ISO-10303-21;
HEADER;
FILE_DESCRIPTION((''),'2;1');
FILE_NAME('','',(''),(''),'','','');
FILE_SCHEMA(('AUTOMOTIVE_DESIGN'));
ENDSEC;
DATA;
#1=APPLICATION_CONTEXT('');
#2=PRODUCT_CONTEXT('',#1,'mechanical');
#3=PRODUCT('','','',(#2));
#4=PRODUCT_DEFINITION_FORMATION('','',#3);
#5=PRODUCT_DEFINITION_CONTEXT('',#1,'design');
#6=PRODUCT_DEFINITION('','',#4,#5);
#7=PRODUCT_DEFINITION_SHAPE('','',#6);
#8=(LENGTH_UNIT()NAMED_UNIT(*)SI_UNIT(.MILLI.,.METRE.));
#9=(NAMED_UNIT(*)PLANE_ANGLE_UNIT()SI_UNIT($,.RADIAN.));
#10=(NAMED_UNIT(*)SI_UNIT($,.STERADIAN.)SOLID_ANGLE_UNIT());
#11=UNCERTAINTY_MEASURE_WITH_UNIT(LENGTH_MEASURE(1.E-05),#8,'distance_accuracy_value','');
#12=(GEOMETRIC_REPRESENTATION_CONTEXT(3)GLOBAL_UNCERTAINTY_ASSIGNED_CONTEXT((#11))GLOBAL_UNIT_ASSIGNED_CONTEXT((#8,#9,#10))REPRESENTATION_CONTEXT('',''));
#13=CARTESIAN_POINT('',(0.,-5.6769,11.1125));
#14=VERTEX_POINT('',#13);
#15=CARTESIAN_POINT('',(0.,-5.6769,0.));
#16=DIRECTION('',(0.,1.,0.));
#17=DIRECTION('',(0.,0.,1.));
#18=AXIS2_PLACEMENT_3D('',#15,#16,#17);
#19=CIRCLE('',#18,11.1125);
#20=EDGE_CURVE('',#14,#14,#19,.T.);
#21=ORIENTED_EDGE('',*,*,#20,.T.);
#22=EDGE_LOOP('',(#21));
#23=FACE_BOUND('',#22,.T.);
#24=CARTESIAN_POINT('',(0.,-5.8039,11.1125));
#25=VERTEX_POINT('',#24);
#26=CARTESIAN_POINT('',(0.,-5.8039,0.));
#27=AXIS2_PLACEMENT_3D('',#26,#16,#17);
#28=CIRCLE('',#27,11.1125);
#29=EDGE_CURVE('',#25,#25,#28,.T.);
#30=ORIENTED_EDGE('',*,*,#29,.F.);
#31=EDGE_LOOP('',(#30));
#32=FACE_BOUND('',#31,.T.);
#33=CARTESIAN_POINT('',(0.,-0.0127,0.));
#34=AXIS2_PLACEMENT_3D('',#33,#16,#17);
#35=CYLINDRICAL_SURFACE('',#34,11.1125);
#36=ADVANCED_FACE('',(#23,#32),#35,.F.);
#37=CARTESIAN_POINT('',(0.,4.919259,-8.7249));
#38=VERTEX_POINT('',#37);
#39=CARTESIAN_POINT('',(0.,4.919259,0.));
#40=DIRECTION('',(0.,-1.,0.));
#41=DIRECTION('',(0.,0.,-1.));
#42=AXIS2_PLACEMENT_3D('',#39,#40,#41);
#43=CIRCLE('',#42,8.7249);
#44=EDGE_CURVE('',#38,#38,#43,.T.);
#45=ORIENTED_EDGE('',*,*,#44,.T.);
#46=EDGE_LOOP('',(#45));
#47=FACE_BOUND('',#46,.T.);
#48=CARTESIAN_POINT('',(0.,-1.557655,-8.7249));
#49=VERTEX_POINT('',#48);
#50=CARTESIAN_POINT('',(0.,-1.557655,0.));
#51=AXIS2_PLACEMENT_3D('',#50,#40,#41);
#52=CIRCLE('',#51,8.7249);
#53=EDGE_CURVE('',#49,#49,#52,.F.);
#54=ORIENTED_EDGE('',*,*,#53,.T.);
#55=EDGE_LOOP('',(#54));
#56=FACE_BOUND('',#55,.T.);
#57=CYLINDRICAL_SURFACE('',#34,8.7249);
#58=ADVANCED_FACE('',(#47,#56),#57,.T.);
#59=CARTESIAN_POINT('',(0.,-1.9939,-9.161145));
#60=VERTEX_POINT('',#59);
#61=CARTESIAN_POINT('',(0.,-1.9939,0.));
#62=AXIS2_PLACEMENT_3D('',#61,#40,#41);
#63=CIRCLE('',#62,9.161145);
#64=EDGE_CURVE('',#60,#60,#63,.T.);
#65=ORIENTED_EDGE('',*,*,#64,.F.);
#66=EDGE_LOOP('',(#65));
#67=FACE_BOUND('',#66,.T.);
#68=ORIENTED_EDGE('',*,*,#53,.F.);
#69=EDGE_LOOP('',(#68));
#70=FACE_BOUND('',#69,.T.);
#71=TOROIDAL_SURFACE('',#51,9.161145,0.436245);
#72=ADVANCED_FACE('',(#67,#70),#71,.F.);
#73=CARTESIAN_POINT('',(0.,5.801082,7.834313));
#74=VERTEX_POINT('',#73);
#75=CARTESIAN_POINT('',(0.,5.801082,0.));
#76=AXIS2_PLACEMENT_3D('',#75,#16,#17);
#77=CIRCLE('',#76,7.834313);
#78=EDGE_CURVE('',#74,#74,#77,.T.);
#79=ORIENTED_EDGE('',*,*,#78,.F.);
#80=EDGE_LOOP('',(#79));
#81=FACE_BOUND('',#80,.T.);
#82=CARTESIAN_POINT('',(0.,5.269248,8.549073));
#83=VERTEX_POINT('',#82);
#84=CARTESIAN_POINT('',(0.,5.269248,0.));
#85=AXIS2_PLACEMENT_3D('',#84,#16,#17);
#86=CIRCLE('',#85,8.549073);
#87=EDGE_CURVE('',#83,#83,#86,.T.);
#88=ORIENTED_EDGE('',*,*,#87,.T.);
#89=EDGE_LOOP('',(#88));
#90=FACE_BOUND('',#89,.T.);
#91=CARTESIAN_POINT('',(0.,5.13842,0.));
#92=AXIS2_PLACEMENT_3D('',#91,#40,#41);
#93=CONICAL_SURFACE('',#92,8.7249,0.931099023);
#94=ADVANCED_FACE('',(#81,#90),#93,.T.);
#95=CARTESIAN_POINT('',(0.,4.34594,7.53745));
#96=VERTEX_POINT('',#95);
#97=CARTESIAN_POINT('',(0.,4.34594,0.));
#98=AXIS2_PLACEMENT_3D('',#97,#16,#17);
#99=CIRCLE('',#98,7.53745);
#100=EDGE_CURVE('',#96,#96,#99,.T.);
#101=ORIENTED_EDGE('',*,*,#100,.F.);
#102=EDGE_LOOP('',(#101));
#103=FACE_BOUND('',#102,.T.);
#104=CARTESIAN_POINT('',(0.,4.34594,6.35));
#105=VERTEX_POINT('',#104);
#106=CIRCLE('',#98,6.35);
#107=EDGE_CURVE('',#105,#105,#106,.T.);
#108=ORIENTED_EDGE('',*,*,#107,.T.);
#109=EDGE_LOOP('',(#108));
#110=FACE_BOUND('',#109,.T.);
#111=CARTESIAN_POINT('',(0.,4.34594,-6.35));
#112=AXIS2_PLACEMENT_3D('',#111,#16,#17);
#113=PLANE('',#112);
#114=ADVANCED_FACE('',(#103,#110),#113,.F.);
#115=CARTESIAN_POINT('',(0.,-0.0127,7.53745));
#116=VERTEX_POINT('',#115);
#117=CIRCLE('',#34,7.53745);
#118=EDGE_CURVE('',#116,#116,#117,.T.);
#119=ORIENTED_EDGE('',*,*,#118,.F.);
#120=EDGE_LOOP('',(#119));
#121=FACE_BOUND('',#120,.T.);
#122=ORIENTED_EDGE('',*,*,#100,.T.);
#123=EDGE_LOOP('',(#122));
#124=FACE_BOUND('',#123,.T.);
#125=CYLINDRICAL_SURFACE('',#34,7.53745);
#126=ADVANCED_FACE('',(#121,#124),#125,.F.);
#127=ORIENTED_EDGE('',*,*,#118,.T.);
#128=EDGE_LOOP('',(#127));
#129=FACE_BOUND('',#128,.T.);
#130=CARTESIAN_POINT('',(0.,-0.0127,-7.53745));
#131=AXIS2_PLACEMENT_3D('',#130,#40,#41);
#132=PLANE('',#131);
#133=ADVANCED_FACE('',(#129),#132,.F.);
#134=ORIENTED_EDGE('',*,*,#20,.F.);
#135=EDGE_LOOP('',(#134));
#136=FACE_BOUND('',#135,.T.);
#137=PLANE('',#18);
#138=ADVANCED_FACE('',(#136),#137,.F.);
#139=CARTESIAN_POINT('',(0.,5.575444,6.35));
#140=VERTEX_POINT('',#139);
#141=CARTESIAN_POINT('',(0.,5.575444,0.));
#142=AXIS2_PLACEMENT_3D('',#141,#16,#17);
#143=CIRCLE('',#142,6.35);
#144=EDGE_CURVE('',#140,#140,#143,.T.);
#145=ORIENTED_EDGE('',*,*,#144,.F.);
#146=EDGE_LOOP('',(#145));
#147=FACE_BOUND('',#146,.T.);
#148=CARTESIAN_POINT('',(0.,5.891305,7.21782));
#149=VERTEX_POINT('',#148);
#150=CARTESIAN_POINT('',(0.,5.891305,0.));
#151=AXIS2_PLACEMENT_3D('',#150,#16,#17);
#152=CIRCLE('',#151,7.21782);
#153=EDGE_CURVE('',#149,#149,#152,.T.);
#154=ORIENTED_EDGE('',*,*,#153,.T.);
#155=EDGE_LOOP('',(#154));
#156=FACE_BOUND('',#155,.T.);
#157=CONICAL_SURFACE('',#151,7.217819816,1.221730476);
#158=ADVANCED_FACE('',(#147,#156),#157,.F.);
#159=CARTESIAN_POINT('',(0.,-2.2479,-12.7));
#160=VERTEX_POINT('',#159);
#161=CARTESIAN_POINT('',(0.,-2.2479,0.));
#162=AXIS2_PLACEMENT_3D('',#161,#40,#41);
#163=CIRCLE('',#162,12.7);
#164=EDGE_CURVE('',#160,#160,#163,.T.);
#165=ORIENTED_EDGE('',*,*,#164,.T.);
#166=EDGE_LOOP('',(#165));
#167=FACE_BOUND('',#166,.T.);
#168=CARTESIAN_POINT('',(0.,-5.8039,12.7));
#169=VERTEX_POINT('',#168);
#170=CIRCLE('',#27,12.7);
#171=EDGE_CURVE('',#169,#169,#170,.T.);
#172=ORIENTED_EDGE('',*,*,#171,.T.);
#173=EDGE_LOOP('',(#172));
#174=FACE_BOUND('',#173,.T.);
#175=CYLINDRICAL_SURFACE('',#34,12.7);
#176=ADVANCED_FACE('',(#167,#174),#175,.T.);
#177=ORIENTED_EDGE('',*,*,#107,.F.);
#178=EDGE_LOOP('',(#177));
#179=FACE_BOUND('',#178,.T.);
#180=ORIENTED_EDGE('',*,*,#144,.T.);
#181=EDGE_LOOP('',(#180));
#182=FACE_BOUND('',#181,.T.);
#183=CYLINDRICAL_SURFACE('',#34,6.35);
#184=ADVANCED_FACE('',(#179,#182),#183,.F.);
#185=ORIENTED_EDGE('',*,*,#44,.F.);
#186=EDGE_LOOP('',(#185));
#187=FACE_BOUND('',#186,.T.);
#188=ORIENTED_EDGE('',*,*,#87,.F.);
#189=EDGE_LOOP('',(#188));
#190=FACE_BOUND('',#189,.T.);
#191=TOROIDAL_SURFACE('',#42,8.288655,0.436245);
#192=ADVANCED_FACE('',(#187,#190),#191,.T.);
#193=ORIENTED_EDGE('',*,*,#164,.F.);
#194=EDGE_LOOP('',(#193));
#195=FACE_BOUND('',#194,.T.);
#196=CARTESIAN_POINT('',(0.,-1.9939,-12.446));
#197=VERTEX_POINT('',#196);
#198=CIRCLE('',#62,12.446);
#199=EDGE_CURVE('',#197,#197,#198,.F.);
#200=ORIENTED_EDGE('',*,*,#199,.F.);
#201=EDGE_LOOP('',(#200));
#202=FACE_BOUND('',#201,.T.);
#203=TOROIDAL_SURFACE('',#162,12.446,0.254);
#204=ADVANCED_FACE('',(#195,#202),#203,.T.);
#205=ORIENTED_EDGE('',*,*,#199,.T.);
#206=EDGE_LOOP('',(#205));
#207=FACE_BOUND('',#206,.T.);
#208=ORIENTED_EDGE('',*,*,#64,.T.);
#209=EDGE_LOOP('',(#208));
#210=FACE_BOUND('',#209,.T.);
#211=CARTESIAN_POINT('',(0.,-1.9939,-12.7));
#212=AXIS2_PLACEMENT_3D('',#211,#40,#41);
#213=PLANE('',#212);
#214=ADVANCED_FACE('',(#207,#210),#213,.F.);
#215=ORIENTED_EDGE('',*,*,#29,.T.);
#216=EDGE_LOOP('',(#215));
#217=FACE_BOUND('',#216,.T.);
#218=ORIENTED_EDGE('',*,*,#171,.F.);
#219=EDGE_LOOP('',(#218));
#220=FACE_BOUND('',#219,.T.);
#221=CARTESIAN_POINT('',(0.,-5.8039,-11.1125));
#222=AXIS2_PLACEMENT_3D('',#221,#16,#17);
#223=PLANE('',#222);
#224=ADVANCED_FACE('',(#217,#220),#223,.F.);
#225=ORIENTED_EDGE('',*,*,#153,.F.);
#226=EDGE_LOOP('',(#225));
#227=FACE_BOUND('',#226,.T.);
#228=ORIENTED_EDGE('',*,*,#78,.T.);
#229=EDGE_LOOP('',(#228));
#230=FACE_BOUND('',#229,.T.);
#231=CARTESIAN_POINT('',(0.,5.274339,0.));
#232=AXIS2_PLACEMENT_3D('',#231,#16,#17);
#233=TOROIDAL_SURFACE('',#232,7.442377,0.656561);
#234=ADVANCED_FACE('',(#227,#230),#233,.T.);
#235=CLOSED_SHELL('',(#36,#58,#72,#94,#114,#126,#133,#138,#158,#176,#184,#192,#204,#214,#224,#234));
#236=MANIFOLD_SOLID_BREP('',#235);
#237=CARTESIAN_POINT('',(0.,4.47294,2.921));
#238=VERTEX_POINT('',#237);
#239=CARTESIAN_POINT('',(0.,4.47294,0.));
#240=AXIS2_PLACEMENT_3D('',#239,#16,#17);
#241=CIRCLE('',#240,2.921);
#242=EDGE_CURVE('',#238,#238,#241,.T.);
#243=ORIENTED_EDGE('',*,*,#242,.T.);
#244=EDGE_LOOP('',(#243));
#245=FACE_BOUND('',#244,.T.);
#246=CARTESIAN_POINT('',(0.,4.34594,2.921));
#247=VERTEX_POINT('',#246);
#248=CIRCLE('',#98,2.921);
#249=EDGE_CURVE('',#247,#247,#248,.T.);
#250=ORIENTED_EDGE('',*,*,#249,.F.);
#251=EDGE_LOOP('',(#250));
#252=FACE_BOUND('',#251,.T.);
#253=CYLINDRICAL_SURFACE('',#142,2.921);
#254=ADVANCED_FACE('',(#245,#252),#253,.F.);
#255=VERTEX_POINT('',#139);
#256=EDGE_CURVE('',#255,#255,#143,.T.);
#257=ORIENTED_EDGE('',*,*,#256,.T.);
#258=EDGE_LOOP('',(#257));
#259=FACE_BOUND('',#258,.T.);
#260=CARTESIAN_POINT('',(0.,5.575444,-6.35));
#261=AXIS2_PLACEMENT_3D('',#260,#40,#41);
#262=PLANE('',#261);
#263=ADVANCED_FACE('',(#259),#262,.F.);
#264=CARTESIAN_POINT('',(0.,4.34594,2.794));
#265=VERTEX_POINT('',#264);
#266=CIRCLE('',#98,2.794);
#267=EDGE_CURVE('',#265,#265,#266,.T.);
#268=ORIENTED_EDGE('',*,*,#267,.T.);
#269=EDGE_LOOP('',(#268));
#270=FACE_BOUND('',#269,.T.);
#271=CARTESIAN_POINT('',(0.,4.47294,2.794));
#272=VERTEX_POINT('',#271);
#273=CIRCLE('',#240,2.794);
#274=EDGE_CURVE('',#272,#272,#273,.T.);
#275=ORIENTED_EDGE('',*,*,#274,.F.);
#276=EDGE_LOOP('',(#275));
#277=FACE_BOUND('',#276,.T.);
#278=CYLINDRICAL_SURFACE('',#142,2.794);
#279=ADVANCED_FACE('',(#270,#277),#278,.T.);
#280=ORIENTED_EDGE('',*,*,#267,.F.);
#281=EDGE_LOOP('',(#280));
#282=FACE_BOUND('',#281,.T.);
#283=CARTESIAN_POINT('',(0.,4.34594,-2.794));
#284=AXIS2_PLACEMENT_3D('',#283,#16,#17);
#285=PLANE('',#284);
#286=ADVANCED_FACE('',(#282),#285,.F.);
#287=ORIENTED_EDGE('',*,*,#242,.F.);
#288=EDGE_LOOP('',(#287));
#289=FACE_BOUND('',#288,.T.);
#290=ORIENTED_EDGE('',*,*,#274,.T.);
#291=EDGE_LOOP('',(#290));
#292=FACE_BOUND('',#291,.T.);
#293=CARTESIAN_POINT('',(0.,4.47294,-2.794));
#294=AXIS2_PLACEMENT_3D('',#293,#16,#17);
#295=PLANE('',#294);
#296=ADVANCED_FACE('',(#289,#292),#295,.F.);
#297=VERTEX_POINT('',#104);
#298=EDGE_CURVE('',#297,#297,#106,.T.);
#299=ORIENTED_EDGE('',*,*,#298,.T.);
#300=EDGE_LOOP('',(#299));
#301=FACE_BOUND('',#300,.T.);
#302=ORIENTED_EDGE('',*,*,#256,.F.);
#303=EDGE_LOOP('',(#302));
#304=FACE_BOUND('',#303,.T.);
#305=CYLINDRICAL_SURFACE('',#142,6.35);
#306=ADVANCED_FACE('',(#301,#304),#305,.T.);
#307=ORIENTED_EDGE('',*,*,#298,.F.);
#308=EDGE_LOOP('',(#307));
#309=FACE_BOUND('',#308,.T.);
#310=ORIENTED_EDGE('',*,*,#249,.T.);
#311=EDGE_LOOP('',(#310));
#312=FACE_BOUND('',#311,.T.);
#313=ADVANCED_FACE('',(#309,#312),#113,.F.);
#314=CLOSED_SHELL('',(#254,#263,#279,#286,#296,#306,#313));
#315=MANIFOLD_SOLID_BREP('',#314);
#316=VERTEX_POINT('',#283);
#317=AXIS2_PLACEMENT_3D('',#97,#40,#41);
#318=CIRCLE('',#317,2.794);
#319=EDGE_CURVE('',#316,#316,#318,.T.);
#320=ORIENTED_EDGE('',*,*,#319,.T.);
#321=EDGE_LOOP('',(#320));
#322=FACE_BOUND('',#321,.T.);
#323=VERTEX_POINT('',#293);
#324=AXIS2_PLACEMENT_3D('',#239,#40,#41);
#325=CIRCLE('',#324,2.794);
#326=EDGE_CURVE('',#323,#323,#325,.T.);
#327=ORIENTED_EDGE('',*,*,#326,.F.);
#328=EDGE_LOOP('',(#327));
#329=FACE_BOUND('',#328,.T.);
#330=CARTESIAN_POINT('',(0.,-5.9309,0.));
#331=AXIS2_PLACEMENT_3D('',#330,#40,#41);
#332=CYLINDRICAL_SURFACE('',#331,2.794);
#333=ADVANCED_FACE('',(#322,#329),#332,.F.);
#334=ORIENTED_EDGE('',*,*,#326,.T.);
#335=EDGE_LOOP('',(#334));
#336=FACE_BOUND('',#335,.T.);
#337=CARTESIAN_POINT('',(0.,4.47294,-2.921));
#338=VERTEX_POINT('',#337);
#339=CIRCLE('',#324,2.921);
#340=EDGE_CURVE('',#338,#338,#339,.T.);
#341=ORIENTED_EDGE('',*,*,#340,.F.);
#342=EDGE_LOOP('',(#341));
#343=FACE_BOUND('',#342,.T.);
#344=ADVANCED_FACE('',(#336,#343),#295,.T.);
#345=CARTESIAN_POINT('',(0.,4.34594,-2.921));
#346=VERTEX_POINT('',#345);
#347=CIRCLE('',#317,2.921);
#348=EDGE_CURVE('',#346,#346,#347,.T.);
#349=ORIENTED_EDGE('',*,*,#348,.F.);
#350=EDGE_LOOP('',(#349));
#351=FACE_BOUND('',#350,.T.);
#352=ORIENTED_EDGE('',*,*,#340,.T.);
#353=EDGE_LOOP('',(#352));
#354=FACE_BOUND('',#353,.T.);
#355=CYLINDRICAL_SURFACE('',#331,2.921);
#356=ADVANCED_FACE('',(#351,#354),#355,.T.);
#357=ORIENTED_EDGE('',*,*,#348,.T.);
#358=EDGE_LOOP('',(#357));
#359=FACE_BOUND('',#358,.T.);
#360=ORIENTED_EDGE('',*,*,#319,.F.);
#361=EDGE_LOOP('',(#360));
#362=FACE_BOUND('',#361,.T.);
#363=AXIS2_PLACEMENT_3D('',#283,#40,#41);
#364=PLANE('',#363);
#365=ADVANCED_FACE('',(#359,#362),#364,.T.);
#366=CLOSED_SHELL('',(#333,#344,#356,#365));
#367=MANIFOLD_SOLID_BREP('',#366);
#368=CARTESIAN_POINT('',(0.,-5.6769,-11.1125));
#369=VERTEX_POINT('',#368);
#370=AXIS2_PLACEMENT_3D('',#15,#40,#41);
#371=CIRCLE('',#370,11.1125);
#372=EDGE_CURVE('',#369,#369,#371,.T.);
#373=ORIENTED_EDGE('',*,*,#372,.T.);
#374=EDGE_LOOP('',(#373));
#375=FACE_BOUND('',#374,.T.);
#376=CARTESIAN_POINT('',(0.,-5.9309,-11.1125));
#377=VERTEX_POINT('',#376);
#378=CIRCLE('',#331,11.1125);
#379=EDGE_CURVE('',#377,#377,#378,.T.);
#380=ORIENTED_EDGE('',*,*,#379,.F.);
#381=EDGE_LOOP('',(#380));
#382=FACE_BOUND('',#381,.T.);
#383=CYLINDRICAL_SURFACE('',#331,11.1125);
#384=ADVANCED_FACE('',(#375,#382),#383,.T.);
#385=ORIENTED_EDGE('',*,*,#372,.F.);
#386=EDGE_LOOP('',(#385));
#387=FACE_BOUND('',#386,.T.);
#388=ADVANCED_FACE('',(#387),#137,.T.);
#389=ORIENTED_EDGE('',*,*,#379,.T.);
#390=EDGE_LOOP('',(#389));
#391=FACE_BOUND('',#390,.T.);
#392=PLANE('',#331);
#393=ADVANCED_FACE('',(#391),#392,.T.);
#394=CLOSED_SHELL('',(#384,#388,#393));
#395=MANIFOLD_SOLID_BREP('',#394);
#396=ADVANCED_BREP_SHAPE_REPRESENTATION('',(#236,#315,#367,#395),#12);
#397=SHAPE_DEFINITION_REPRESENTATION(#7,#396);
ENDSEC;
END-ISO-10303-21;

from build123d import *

# Parameters (mm, degrees)
SKETCH5_W   = 11.1125
SKETCH5_H   = 0.254
SKETCH5_W_2 = 0.127
SKETCH5_H_2 = 0.127
FILLET1_R   = 0.436245
FILLET2_R   = 0.254


with BuildPart() as part:
    # Sketch3 → Revolve1 (revolve)
    with BuildSketch(Plane(origin=(0, 0, 0), x_dir=(0, 0, -1), z_dir=(1, 0, 0)), mode=Mode.PRIVATE) as revolve1_sk:
        with BuildLine():
            Line((6.35, 5.575443959), (7.217819816, 5.891304541))
            ThreePointArc((7.217819816, 5.891304541), (7.53745, 5.923980005), (7.8343125, 5.801082499))
            Line((7.8343125, 5.801082499), (8.7249, 5.13842))
            Line((8.7249, 5.13842), (8.7249, -1.9939))
            Line((8.7249, -1.9939), (12.7, -1.9939))
            Line((12.7, -1.9939), (12.7, -5.8039))
            Line((12.7, -5.8039), (11.1125, -5.8039))
            Line((11.1125, -5.8039), (11.1125, -5.6769))
            Line((11.1125, -5.6769), (0, -5.6769))
            Line((0, -5.6769), (0, -0.0127))
            Line((0, -0.0127), (7.53745, -0.0127))
            Line((7.53745, -0.0127), (7.53745, 4.34594))
            Line((7.53745, 4.34594), (6.35, 4.34594))
            Line((6.35, 4.34594), (6.35, 5.575443959))
        make_face()
    revolve(revolve1_sk.sketch.rotate(Axis((0, -0.0127, 0), (0, -1, 0)), 180), axis=Axis((0, -0.0127, 0), (0, -1, 0)))

    # Fillet1
    fillet1_edges = [part.edges().sort_by_distance(p)[0] for p in [
        (0, 5.13842, -8.7249),
        (0, -1.9939, -8.7249),
    ]]
    fillet(fillet1_edges, radius=FILLET1_R)

    # Fillet2
    fillet2_edges = [part.edges().sort_by_distance(p)[0] for p in [
        (0, -1.9939, -12.7),
    ]]
    fillet(fillet2_edges, radius=FILLET2_R)


with BuildPart() as body_2:
    # Sketch4 → Revolve2 (revolve)
    with BuildSketch(Plane(origin=(0, 0, 0), x_dir=(0, 0, -1), z_dir=(1, 0, 0)), mode=Mode.PRIVATE) as revolve2_sk:
        Polygon((6.35, 5.575443959), (0, 5.575443959), (0, 4.34594), (2.794, 4.34594), (2.794, 4.47294), (2.921, 4.47294), (2.921, 4.34594), (6.35, 4.34594), align=None)
    revolve(revolve2_sk.sketch.rotate(Axis((0, 5.575443959, 0), (0, -1, 0)), 180), axis=Axis((0, 5.575443959, 0), (0, -1, 0)))


with BuildPart() as body_3:
    # Sketch5 → Revolve3 (revolve)
    with BuildSketch(Plane(origin=(0, 0, 0), x_dir=(0, 0, -1), z_dir=(1, 0, 0))):
        with Locations((5.55625, -5.8039)):
            Rectangle(SKETCH5_W, SKETCH5_H)
        with Locations((2.8575, 4.40944)):
            Rectangle(SKETCH5_W_2, SKETCH5_H_2)
    revolve(axis=Axis((0, -5.9309, 0), (0, 1, 0)))


solid = Compound([part.part, body_2.part, body_3.part])
